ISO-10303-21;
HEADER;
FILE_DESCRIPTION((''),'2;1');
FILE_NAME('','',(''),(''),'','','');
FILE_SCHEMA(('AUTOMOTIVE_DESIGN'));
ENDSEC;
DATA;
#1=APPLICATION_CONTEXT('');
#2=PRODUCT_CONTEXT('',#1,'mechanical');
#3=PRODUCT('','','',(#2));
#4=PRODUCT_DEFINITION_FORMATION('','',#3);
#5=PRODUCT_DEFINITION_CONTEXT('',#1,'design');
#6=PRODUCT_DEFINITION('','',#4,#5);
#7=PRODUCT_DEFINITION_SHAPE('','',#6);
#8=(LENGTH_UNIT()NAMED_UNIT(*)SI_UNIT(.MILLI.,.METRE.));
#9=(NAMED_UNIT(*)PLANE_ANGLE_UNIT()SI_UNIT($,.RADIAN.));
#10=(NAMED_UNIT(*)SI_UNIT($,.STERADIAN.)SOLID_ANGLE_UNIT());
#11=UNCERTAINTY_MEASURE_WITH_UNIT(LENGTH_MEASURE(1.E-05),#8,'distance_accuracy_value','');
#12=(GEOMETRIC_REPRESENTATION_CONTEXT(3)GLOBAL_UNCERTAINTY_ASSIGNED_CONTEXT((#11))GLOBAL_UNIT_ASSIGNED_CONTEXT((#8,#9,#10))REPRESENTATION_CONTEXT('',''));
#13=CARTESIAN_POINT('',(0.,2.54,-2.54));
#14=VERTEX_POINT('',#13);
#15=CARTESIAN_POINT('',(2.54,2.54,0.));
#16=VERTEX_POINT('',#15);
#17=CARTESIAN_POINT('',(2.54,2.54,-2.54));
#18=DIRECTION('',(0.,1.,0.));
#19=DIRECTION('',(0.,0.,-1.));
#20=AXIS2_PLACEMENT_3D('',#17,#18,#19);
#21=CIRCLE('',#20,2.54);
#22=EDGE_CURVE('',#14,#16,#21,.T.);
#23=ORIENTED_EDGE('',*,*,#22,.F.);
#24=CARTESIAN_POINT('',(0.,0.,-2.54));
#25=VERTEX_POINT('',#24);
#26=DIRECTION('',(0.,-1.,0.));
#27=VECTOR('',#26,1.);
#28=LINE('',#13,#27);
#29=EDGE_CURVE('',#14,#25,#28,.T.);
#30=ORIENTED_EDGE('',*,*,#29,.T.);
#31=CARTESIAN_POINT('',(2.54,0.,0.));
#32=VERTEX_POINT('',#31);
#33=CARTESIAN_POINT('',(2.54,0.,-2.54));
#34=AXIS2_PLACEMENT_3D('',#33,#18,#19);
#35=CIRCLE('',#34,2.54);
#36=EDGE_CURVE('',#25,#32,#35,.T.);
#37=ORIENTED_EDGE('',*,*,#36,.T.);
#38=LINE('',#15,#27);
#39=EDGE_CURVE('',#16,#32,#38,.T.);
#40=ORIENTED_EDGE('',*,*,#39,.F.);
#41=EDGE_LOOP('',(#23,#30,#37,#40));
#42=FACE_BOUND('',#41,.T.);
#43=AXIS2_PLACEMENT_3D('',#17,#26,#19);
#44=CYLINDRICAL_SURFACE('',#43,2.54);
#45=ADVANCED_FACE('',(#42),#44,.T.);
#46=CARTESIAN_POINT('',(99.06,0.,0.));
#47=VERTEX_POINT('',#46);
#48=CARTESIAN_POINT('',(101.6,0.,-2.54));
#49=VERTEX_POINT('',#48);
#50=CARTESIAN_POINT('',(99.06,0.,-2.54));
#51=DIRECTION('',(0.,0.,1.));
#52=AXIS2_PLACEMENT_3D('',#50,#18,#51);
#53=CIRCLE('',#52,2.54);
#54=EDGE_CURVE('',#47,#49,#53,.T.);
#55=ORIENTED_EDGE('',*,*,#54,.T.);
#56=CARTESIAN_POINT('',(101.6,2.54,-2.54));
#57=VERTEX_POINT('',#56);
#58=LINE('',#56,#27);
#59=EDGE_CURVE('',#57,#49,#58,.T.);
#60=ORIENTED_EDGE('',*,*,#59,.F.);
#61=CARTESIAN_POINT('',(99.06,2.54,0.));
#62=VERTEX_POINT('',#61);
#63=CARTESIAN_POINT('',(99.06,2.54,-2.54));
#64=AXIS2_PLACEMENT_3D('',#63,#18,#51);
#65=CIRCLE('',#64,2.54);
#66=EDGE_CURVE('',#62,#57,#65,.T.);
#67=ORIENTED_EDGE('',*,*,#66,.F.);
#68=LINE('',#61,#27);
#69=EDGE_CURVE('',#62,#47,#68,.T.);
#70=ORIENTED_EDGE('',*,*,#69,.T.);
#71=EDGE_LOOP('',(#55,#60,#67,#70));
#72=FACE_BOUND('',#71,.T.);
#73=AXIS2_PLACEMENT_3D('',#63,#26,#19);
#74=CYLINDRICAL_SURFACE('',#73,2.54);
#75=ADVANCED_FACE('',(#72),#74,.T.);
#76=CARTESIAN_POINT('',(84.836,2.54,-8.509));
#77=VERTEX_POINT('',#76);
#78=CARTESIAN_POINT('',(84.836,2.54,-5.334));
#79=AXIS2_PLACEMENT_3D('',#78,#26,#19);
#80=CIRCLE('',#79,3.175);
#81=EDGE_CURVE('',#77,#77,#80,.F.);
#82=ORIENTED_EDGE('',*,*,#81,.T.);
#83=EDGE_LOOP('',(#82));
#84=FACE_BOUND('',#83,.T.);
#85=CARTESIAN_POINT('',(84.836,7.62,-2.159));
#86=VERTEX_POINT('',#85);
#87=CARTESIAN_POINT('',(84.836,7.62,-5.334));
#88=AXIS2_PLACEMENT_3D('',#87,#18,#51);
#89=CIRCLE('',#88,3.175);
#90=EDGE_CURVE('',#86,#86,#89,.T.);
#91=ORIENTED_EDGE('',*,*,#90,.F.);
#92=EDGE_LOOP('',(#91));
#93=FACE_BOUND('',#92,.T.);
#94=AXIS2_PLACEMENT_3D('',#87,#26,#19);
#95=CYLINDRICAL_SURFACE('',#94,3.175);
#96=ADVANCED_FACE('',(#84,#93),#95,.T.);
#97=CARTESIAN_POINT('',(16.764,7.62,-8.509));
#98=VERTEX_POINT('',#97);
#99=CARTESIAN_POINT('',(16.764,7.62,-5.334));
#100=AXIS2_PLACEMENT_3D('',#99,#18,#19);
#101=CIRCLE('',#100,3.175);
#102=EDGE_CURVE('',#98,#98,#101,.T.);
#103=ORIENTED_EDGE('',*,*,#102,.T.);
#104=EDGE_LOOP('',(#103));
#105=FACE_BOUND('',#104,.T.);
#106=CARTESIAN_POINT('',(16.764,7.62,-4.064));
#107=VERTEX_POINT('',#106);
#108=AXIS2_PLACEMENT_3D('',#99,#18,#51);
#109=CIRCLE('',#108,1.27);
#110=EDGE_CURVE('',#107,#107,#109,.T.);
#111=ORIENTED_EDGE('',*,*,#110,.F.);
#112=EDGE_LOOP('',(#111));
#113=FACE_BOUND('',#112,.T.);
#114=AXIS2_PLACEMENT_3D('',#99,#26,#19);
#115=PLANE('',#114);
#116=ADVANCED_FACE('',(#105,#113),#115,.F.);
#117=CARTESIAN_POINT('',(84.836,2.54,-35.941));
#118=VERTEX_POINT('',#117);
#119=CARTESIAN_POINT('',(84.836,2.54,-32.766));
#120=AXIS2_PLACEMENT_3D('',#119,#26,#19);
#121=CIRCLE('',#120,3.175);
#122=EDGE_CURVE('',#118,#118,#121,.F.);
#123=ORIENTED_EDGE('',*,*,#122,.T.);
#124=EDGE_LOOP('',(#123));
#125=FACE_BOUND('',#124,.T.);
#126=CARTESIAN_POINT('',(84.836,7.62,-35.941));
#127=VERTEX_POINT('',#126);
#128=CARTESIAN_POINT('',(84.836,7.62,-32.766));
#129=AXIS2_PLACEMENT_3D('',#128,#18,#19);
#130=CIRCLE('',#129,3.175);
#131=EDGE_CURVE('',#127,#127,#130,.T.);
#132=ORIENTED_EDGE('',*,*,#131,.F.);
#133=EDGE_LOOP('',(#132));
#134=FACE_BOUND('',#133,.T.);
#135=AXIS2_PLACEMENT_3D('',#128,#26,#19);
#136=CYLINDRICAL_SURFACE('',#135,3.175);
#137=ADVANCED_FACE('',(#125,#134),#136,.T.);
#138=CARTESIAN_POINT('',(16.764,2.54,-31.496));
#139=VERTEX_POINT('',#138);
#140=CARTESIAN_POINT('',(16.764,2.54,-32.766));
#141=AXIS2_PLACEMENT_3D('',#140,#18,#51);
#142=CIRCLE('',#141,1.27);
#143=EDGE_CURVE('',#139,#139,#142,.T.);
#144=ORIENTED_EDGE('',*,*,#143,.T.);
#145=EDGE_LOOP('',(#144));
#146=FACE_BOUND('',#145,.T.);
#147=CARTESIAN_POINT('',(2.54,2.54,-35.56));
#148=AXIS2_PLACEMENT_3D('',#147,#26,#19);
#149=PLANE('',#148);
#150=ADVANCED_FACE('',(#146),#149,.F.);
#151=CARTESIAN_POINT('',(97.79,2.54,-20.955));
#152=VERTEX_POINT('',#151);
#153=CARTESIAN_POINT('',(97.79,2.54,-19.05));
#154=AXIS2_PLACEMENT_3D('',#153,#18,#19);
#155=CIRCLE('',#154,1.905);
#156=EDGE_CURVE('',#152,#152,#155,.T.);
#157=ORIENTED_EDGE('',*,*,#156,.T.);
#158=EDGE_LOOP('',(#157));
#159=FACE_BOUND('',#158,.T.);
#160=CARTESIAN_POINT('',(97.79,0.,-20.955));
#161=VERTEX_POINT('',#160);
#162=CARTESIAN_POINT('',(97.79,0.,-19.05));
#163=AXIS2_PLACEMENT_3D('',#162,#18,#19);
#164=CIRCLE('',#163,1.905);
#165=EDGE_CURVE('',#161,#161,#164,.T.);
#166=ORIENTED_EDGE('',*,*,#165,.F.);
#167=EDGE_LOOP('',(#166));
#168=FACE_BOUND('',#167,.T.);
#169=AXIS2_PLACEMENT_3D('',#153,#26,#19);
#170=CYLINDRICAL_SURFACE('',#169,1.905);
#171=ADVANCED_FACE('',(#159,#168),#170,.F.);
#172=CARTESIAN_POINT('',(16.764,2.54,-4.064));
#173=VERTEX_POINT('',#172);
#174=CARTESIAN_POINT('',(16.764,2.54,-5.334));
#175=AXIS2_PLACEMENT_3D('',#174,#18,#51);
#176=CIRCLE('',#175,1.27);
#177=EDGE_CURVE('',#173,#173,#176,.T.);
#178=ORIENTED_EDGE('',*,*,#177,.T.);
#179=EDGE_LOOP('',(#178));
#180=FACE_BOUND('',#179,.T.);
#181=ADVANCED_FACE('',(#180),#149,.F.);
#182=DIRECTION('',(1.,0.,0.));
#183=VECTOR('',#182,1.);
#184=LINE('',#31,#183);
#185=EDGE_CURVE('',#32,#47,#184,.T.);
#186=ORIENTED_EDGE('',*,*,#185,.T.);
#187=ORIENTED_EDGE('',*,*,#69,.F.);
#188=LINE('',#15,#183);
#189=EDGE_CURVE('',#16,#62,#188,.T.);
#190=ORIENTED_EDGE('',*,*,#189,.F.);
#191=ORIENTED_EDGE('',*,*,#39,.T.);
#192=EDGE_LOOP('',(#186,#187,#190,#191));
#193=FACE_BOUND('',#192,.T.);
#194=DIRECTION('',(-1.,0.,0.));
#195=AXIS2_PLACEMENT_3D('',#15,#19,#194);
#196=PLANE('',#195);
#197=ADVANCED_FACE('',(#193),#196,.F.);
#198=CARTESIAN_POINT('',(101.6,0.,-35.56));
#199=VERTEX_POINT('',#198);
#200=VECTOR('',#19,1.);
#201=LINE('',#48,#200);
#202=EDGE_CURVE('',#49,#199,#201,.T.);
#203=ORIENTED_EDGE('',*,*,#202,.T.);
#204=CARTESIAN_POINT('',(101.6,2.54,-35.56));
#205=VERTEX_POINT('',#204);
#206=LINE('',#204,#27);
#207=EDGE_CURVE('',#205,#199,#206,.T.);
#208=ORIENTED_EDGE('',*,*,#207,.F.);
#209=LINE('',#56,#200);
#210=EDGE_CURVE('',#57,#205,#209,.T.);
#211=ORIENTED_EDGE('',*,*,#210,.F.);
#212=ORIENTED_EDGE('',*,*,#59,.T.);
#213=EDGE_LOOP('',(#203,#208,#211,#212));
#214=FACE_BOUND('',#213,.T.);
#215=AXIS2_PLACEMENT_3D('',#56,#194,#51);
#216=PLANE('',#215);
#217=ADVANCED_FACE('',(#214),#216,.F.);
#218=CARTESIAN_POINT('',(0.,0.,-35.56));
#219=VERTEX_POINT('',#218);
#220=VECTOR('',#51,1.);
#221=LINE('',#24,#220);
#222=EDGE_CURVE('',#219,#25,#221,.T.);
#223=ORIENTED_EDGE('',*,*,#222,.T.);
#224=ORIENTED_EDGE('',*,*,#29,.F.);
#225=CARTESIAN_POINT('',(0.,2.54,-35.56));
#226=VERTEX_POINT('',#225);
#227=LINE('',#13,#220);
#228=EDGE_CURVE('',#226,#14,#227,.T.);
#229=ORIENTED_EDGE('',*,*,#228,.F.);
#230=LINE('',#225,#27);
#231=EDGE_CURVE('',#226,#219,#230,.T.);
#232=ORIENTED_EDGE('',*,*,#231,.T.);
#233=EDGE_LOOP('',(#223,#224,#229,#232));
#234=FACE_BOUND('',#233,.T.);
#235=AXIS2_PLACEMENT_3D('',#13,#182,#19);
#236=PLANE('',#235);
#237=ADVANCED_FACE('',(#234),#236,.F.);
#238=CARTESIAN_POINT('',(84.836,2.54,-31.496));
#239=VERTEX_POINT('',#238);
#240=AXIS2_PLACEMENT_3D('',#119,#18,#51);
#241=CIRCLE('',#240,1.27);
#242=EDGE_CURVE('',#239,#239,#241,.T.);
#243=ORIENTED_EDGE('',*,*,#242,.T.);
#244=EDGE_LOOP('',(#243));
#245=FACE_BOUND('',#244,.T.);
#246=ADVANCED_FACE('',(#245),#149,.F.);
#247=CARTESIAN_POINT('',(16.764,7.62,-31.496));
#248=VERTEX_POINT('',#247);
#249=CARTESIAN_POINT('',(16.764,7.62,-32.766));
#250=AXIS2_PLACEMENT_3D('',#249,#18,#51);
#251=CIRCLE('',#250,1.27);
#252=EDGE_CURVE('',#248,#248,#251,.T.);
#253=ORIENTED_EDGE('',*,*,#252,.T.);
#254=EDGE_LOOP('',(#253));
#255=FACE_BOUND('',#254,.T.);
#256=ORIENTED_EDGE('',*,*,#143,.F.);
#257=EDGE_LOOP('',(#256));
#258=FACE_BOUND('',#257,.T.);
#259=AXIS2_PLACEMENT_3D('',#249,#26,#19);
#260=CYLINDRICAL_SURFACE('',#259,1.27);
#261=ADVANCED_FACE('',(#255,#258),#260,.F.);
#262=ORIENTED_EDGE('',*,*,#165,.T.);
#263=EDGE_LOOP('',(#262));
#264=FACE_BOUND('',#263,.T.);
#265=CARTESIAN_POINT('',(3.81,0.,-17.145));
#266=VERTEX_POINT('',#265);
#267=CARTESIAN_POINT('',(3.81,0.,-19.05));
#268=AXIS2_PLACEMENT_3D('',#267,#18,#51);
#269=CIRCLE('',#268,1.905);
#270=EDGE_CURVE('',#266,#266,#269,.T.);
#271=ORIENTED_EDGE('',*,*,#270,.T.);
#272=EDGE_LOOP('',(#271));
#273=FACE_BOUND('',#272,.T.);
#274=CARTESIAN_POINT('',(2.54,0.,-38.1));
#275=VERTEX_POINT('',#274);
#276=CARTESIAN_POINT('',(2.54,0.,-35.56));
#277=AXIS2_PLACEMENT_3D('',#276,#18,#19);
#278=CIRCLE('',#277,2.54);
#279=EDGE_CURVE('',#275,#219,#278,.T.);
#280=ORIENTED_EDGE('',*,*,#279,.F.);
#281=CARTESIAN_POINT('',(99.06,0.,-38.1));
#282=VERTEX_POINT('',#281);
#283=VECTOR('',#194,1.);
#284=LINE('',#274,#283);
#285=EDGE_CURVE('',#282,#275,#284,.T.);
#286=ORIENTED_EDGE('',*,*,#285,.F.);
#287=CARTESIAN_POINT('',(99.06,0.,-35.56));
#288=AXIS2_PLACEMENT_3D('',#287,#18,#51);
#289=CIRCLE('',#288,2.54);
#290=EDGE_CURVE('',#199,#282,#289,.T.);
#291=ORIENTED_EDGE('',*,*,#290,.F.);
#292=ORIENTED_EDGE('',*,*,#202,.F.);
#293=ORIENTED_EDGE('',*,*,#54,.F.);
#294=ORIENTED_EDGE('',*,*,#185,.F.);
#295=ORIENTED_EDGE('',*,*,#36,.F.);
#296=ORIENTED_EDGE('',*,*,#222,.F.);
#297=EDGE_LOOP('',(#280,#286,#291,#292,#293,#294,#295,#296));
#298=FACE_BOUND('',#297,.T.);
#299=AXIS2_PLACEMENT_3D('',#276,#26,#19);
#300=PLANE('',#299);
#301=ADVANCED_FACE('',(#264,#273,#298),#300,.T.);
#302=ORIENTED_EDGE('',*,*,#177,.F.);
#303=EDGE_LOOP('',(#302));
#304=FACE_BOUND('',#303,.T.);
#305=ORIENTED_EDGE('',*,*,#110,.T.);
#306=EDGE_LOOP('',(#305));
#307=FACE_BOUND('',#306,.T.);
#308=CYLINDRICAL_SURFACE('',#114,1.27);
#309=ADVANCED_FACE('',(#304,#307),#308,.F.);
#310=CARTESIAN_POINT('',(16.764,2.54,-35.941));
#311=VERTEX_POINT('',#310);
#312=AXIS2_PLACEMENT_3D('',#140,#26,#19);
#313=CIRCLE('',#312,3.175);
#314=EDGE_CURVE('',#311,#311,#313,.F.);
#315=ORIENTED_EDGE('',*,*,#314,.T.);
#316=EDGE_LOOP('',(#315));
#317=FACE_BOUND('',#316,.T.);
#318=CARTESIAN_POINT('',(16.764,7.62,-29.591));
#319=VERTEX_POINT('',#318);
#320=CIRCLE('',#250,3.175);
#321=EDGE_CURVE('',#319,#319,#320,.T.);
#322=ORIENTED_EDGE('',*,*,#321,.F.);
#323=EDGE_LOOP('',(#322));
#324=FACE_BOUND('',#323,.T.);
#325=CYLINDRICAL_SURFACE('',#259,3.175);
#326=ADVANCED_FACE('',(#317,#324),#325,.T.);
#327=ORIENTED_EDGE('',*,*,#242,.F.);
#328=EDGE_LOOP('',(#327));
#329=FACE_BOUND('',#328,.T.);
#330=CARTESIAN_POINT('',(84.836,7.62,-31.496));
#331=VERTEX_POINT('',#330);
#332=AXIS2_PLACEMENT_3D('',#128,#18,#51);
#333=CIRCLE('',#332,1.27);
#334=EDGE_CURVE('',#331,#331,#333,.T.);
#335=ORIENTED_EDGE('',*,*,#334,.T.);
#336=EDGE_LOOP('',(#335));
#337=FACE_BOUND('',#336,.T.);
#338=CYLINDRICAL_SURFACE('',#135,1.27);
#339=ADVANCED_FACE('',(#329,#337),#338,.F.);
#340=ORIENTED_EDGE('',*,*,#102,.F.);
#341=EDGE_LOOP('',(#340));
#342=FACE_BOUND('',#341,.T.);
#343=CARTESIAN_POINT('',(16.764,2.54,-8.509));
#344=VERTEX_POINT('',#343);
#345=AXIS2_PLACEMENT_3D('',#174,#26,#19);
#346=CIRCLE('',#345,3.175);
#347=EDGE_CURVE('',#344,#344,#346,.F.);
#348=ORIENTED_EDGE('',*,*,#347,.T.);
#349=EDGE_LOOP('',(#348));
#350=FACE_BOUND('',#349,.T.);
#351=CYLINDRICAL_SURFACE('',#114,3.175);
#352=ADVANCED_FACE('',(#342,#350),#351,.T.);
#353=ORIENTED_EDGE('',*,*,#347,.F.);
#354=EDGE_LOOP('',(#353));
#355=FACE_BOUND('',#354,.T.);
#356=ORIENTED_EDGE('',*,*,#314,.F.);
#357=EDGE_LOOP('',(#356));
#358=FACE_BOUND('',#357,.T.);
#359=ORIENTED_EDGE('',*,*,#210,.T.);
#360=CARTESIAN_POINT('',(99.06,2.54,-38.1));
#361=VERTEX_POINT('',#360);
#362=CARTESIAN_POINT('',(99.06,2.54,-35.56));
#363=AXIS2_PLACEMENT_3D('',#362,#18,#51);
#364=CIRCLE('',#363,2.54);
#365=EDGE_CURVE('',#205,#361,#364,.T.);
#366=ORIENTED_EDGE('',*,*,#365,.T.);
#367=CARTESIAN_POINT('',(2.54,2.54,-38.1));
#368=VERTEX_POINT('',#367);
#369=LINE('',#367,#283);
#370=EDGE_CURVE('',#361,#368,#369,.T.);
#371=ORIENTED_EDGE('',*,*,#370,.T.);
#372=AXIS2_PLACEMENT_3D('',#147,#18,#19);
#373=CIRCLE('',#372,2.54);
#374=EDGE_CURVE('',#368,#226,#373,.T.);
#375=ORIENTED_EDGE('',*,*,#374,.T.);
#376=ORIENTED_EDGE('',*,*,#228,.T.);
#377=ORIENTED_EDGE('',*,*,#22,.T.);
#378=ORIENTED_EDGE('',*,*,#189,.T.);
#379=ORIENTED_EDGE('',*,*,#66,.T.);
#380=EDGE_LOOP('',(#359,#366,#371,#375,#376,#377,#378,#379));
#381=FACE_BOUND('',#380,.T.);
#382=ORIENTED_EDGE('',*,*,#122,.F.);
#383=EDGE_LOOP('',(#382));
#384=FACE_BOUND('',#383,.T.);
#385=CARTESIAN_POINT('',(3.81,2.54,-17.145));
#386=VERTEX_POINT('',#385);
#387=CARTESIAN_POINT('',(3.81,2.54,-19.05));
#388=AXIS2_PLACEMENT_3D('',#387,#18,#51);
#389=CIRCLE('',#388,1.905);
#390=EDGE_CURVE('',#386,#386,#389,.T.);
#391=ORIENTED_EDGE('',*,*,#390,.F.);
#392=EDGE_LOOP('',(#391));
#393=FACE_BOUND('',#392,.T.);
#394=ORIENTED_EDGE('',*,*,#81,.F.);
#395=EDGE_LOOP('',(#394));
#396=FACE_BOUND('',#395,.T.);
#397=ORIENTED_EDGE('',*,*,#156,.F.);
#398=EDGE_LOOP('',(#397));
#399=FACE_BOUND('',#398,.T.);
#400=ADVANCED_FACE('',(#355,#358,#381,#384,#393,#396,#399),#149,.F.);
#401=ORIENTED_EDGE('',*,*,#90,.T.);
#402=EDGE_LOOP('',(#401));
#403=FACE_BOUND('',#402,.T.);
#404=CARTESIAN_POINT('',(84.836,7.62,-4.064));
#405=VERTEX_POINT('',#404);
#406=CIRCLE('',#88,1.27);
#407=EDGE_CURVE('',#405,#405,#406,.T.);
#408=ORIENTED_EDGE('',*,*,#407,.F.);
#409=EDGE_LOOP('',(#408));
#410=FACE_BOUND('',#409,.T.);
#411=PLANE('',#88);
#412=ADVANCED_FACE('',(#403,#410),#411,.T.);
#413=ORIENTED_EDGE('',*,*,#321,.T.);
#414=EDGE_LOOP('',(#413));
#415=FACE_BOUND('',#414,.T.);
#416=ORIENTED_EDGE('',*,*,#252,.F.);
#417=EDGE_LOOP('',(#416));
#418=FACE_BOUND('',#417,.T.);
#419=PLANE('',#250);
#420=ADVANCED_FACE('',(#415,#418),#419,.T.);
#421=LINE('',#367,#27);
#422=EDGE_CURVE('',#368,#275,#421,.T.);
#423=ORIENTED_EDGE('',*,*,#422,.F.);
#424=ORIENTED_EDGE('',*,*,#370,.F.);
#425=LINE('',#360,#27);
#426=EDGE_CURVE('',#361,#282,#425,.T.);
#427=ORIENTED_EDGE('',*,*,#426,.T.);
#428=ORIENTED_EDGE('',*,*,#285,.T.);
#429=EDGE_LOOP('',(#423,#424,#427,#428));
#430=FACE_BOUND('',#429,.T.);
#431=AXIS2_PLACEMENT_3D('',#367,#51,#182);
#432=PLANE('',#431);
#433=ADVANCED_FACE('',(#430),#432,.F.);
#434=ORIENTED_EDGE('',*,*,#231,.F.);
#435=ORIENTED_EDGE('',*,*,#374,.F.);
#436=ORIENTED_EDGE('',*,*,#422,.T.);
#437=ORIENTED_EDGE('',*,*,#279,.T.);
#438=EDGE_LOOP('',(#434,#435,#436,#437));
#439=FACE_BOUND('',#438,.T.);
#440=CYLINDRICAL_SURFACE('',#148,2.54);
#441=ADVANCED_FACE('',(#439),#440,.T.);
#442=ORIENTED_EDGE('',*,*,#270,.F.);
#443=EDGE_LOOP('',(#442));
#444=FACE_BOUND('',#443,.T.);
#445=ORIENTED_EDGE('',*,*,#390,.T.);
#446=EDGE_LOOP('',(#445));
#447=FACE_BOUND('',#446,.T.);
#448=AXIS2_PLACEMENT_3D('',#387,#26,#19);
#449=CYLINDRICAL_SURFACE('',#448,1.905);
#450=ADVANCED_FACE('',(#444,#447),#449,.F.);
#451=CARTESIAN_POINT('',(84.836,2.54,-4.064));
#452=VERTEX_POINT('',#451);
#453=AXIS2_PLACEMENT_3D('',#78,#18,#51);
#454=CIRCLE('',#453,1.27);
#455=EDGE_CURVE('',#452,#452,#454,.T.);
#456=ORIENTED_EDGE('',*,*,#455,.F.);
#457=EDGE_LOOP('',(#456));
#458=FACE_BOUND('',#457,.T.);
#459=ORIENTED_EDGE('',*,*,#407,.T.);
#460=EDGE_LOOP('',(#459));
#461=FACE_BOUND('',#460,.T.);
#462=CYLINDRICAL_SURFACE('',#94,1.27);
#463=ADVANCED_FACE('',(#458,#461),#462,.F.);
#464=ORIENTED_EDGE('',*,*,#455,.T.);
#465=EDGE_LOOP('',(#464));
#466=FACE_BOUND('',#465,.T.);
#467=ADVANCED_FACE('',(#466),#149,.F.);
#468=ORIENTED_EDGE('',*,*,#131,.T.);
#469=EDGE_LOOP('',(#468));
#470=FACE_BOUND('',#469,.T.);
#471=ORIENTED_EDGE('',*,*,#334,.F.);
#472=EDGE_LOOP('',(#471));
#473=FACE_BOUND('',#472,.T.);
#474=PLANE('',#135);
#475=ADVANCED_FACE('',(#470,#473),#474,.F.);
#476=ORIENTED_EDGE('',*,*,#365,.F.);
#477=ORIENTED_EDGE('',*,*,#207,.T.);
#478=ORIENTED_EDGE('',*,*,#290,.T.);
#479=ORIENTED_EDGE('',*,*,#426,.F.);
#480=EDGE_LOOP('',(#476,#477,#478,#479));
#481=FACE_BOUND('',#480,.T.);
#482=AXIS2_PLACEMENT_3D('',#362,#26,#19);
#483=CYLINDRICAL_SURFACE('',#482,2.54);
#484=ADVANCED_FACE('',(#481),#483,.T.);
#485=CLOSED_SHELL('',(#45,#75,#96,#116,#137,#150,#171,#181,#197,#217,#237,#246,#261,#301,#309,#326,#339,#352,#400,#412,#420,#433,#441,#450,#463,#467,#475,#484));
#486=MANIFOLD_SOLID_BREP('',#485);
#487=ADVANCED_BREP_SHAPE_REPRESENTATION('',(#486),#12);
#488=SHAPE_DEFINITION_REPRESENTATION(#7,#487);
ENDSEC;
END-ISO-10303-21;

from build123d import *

# Parameters (mm, degrees)
BASE_R                 = 1.905
BOSS_EXTRUDEBASE_DEPTH = 2.54
STANDOFFS_R            = 3.175
STANDOFFS_R_2          = 1.27
BOSS_EXTRUDE2_DEPTH    = 5.08


with BuildPart() as part:
    # Base → Boss-ExtrudeBase (new body)
    with BuildSketch(Plane(origin=(0, 0, 0), x_dir=(1, 0, 0), z_dir=(0, 1, 0))):
        with BuildLine():
            Line((2.54, 0), (99.06, 0))
            ThreePointArc((99.06, 0), (100.856051224, 0.743948776), (101.6, 2.54))
            Line((101.6, 2.54), (101.6, 35.56))
            ThreePointArc((101.6, 35.56), (100.856051224, 37.356051224), (99.06, 38.1))
            Line((99.06, 38.1), (2.54, 38.1))
            ThreePointArc((2.54, 38.1), (0.743948776, 37.356051224), (0, 35.56))
            Line((0, 35.56), (0, 2.54))
            ThreePointArc((0, 2.54), (0.743948776, 0.743948776), (2.54, 0))
        make_face()
        with Locations(Location((3.81, 19.05, 0), (0, 0, 270))):
            Circle(BASE_R, mode=Mode.SUBTRACT)
        with Locations(Location((97.79, 19.05, 0), (0, 0, 90))):
            Circle(BASE_R, mode=Mode.SUBTRACT)
    extrude(amount=BOSS_EXTRUDEBASE_DEPTH)

    # Standoffs → Boss-Extrude2 (add)
    # profile 1 of 4: a face of its own
    with BuildSketch(Plane(origin=(0, 2.54, 0), x_dir=(1, 0, 0), z_dir=(0, 1, 0))):
        with Locations(Location((16.764, 32.766, 0), (0, 0, 90))):
            Circle(STANDOFFS_R)
        with Locations(Location((16.764, 32.766, 0), (0, 0, 270))):
            Circle(STANDOFFS_R_2, mode=Mode.SUBTRACT)
    # profile 2 of 4: a face of its own
    with BuildSketch(Plane(origin=(0, 2.54, 0), x_dir=(1, 0, 0), z_dir=(0, 1, 0))):
        with Locations(Location((84.836, 32.766, 0), (0, 0, 90))):
            Circle(STANDOFFS_R)
        with Locations(Location((84.836, 32.766, 0), (0, 0, 270))):
            Circle(STANDOFFS_R_2, mode=Mode.SUBTRACT)
    # profile 3 of 4: a face of its own
    with BuildSketch(Plane(origin=(0, 2.54, 0), x_dir=(1, 0, 0), z_dir=(0, 1, 0))):
        with Locations(Location((84.836, 5.334, 0), (0, 0, 90))):
            Circle(STANDOFFS_R)
        with Locations(Location((84.836, 5.334, 0), (0, 0, 270))):
            Circle(STANDOFFS_R_2, mode=Mode.SUBTRACT)
    # profile 4 of 4: a face of its own
    with BuildSketch(Plane(origin=(0, 2.54, 0), x_dir=(1, 0, 0), z_dir=(0, 1, 0))):
        with Locations(Location((16.764, 5.334, 0), (0, 0, 90))):
            Circle(STANDOFFS_R)
        with Locations(Location((16.764, 5.334, 0), (0, 0, 270))):
            Circle(STANDOFFS_R_2, mode=Mode.SUBTRACT)
    extrude(amount=BOSS_EXTRUDE2_DEPTH)


solid = part.part
